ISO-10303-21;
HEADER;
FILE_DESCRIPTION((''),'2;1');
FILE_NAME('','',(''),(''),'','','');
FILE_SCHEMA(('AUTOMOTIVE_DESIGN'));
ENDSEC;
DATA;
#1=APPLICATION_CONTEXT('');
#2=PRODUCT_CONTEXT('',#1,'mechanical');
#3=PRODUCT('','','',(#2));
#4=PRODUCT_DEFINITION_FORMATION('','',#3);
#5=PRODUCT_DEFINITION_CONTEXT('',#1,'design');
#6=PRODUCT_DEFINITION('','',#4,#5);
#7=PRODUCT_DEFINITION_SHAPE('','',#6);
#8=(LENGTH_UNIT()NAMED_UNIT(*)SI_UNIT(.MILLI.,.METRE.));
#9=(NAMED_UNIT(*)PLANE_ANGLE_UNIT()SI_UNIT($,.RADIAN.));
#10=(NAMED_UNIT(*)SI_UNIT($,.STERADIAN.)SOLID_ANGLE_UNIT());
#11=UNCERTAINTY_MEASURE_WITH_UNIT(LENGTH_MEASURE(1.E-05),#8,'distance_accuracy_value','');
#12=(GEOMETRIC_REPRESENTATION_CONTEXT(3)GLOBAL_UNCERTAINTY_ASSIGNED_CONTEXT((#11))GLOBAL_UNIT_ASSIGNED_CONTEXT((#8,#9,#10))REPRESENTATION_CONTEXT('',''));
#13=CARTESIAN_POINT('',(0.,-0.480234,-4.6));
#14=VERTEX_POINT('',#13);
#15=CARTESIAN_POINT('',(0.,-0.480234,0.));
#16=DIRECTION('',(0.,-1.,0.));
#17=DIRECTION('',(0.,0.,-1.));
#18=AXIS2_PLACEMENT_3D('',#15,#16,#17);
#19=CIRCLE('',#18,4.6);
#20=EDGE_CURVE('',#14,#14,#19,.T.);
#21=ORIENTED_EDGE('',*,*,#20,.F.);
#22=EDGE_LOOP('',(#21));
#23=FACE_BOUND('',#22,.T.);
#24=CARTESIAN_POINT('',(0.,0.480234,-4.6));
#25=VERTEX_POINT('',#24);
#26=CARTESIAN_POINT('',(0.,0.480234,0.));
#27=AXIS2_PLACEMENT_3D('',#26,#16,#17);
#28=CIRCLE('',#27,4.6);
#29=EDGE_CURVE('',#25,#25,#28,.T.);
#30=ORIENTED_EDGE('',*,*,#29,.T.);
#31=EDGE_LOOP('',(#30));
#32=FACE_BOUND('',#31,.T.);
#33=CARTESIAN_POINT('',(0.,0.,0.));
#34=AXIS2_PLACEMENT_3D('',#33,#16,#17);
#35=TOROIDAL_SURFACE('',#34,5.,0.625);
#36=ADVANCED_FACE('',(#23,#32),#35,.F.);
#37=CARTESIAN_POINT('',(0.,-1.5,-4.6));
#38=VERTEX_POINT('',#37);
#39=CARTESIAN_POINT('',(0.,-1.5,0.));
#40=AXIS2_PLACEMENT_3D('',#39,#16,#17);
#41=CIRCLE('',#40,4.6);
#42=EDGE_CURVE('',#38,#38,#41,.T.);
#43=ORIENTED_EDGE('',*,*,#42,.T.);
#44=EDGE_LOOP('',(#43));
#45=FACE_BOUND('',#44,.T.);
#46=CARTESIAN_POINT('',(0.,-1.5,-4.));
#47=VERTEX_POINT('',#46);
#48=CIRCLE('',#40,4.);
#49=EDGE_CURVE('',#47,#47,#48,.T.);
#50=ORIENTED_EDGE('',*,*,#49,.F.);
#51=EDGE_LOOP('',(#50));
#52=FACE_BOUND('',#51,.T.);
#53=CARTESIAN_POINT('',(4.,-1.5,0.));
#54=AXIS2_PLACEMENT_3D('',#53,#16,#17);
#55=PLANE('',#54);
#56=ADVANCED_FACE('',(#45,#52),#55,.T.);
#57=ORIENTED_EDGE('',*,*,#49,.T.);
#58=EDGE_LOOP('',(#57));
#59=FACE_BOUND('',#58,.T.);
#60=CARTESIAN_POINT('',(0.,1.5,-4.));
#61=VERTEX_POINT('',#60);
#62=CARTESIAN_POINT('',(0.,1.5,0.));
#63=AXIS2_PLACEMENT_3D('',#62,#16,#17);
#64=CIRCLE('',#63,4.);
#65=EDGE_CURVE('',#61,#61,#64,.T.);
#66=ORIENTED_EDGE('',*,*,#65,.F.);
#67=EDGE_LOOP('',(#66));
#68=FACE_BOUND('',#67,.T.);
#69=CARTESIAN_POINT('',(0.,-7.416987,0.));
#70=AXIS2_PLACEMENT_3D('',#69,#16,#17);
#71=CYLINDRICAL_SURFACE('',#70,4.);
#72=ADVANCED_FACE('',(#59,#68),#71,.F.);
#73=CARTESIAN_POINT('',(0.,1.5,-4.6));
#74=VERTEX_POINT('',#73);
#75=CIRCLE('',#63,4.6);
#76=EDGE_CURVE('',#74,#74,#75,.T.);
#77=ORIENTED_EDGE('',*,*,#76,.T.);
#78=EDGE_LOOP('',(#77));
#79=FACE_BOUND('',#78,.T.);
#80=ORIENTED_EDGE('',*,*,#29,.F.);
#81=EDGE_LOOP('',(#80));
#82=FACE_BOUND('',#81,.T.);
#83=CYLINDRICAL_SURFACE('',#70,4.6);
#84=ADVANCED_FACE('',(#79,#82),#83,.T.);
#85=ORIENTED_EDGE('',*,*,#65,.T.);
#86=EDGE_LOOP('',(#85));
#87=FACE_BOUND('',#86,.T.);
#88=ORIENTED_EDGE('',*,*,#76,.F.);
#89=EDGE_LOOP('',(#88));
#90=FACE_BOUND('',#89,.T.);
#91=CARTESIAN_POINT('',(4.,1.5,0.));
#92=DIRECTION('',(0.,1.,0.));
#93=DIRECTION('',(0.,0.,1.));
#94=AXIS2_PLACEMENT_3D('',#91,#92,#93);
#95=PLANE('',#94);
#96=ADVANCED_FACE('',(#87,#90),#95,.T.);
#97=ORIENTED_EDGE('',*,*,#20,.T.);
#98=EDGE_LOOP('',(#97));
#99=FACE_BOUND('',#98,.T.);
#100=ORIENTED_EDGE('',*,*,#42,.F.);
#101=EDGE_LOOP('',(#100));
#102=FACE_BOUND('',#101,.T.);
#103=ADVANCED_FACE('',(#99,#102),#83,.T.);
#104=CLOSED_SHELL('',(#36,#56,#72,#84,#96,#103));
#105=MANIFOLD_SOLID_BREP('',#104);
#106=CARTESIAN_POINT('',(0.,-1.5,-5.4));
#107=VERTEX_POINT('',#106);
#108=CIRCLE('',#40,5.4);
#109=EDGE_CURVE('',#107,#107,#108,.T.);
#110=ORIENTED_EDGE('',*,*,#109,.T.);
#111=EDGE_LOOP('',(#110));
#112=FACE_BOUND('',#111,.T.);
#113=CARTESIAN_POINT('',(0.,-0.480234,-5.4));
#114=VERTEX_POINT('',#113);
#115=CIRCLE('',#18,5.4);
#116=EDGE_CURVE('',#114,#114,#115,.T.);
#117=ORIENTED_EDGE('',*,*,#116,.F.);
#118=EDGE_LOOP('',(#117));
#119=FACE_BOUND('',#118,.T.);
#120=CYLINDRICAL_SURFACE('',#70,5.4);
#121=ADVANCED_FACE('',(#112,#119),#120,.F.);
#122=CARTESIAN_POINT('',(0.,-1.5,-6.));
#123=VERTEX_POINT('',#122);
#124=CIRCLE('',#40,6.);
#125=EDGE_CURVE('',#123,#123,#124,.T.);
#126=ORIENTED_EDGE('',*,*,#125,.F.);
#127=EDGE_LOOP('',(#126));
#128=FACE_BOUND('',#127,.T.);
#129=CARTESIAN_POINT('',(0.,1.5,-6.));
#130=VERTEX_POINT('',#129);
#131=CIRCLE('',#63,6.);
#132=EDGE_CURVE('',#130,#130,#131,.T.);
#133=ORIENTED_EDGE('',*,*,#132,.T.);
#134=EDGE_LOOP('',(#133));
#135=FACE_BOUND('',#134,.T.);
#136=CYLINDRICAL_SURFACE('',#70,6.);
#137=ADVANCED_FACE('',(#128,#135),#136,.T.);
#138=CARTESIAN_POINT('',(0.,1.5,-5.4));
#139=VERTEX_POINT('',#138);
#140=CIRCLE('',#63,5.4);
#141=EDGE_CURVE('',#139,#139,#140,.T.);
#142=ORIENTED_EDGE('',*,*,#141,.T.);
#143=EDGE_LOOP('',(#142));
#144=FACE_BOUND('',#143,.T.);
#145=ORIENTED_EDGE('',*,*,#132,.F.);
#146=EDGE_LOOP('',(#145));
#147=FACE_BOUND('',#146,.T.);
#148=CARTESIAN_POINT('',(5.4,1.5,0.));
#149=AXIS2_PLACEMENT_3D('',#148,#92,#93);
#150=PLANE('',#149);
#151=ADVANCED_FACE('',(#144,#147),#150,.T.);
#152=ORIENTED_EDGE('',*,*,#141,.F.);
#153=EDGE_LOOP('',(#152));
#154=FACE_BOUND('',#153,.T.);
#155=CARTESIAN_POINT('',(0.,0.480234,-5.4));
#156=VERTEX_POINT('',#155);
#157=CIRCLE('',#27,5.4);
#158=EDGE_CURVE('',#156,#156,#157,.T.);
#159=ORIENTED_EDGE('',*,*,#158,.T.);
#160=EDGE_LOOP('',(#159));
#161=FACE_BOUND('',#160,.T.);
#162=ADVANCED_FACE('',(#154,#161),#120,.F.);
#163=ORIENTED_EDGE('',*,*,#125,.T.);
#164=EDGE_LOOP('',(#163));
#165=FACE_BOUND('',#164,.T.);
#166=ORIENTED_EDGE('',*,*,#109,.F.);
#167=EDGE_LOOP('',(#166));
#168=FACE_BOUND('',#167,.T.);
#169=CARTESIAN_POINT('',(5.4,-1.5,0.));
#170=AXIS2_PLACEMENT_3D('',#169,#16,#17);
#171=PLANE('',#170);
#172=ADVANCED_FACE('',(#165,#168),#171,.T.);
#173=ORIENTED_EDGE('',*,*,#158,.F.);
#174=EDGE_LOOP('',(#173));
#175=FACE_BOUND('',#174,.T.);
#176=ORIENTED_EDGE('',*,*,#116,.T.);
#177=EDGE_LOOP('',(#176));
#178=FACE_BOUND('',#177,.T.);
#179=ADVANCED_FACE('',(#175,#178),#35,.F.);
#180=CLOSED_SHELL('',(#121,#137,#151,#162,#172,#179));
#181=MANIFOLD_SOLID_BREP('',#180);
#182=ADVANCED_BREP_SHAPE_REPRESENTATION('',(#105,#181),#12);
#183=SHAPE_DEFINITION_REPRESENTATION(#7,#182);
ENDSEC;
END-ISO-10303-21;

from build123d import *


with BuildPart() as part:
    # 草图1 → 旋转1 (revolve)
    with BuildSketch(Plane.XY, mode=Mode.PRIVATE) as revolve_1_sk:
        with BuildLine():
            Line((4, 1.5), (4.6, 1.5))
            Line((4.6, 1.5), (4.6, 0.480234318))
            ThreePointArc((4.6, 0.480234318), (4.375, 0), (4.6, -0.480234318))
            Line((4.6, -0.480234318), (4.6, -1.5))
            Line((4.6, -1.5), (4, -1.5))
            Line((4, -1.5), (4, 1.5))
        make_face()
        with BuildLine():
            Line((6, 1.5), (6, -1.5))
            Line((6, -1.5), (5.4, -1.5))
            Line((5.4, -1.5), (5.4, -0.480234318))
            ThreePointArc((5.4, -0.480234318), (5.625, 0), (5.4, 0.480234318))
            Line((5.4, 0.480234318), (5.4, 1.5))
            Line((5.4, 1.5), (6, 1.5))
        make_face()
    revolve(revolve_1_sk.sketch.rotate(Axis((0, -7.416987478, 0), (0, 1, 0)), 90), axis=Axis((0, -7.416987478, 0), (0, 1, 0)))


solid = part.part
